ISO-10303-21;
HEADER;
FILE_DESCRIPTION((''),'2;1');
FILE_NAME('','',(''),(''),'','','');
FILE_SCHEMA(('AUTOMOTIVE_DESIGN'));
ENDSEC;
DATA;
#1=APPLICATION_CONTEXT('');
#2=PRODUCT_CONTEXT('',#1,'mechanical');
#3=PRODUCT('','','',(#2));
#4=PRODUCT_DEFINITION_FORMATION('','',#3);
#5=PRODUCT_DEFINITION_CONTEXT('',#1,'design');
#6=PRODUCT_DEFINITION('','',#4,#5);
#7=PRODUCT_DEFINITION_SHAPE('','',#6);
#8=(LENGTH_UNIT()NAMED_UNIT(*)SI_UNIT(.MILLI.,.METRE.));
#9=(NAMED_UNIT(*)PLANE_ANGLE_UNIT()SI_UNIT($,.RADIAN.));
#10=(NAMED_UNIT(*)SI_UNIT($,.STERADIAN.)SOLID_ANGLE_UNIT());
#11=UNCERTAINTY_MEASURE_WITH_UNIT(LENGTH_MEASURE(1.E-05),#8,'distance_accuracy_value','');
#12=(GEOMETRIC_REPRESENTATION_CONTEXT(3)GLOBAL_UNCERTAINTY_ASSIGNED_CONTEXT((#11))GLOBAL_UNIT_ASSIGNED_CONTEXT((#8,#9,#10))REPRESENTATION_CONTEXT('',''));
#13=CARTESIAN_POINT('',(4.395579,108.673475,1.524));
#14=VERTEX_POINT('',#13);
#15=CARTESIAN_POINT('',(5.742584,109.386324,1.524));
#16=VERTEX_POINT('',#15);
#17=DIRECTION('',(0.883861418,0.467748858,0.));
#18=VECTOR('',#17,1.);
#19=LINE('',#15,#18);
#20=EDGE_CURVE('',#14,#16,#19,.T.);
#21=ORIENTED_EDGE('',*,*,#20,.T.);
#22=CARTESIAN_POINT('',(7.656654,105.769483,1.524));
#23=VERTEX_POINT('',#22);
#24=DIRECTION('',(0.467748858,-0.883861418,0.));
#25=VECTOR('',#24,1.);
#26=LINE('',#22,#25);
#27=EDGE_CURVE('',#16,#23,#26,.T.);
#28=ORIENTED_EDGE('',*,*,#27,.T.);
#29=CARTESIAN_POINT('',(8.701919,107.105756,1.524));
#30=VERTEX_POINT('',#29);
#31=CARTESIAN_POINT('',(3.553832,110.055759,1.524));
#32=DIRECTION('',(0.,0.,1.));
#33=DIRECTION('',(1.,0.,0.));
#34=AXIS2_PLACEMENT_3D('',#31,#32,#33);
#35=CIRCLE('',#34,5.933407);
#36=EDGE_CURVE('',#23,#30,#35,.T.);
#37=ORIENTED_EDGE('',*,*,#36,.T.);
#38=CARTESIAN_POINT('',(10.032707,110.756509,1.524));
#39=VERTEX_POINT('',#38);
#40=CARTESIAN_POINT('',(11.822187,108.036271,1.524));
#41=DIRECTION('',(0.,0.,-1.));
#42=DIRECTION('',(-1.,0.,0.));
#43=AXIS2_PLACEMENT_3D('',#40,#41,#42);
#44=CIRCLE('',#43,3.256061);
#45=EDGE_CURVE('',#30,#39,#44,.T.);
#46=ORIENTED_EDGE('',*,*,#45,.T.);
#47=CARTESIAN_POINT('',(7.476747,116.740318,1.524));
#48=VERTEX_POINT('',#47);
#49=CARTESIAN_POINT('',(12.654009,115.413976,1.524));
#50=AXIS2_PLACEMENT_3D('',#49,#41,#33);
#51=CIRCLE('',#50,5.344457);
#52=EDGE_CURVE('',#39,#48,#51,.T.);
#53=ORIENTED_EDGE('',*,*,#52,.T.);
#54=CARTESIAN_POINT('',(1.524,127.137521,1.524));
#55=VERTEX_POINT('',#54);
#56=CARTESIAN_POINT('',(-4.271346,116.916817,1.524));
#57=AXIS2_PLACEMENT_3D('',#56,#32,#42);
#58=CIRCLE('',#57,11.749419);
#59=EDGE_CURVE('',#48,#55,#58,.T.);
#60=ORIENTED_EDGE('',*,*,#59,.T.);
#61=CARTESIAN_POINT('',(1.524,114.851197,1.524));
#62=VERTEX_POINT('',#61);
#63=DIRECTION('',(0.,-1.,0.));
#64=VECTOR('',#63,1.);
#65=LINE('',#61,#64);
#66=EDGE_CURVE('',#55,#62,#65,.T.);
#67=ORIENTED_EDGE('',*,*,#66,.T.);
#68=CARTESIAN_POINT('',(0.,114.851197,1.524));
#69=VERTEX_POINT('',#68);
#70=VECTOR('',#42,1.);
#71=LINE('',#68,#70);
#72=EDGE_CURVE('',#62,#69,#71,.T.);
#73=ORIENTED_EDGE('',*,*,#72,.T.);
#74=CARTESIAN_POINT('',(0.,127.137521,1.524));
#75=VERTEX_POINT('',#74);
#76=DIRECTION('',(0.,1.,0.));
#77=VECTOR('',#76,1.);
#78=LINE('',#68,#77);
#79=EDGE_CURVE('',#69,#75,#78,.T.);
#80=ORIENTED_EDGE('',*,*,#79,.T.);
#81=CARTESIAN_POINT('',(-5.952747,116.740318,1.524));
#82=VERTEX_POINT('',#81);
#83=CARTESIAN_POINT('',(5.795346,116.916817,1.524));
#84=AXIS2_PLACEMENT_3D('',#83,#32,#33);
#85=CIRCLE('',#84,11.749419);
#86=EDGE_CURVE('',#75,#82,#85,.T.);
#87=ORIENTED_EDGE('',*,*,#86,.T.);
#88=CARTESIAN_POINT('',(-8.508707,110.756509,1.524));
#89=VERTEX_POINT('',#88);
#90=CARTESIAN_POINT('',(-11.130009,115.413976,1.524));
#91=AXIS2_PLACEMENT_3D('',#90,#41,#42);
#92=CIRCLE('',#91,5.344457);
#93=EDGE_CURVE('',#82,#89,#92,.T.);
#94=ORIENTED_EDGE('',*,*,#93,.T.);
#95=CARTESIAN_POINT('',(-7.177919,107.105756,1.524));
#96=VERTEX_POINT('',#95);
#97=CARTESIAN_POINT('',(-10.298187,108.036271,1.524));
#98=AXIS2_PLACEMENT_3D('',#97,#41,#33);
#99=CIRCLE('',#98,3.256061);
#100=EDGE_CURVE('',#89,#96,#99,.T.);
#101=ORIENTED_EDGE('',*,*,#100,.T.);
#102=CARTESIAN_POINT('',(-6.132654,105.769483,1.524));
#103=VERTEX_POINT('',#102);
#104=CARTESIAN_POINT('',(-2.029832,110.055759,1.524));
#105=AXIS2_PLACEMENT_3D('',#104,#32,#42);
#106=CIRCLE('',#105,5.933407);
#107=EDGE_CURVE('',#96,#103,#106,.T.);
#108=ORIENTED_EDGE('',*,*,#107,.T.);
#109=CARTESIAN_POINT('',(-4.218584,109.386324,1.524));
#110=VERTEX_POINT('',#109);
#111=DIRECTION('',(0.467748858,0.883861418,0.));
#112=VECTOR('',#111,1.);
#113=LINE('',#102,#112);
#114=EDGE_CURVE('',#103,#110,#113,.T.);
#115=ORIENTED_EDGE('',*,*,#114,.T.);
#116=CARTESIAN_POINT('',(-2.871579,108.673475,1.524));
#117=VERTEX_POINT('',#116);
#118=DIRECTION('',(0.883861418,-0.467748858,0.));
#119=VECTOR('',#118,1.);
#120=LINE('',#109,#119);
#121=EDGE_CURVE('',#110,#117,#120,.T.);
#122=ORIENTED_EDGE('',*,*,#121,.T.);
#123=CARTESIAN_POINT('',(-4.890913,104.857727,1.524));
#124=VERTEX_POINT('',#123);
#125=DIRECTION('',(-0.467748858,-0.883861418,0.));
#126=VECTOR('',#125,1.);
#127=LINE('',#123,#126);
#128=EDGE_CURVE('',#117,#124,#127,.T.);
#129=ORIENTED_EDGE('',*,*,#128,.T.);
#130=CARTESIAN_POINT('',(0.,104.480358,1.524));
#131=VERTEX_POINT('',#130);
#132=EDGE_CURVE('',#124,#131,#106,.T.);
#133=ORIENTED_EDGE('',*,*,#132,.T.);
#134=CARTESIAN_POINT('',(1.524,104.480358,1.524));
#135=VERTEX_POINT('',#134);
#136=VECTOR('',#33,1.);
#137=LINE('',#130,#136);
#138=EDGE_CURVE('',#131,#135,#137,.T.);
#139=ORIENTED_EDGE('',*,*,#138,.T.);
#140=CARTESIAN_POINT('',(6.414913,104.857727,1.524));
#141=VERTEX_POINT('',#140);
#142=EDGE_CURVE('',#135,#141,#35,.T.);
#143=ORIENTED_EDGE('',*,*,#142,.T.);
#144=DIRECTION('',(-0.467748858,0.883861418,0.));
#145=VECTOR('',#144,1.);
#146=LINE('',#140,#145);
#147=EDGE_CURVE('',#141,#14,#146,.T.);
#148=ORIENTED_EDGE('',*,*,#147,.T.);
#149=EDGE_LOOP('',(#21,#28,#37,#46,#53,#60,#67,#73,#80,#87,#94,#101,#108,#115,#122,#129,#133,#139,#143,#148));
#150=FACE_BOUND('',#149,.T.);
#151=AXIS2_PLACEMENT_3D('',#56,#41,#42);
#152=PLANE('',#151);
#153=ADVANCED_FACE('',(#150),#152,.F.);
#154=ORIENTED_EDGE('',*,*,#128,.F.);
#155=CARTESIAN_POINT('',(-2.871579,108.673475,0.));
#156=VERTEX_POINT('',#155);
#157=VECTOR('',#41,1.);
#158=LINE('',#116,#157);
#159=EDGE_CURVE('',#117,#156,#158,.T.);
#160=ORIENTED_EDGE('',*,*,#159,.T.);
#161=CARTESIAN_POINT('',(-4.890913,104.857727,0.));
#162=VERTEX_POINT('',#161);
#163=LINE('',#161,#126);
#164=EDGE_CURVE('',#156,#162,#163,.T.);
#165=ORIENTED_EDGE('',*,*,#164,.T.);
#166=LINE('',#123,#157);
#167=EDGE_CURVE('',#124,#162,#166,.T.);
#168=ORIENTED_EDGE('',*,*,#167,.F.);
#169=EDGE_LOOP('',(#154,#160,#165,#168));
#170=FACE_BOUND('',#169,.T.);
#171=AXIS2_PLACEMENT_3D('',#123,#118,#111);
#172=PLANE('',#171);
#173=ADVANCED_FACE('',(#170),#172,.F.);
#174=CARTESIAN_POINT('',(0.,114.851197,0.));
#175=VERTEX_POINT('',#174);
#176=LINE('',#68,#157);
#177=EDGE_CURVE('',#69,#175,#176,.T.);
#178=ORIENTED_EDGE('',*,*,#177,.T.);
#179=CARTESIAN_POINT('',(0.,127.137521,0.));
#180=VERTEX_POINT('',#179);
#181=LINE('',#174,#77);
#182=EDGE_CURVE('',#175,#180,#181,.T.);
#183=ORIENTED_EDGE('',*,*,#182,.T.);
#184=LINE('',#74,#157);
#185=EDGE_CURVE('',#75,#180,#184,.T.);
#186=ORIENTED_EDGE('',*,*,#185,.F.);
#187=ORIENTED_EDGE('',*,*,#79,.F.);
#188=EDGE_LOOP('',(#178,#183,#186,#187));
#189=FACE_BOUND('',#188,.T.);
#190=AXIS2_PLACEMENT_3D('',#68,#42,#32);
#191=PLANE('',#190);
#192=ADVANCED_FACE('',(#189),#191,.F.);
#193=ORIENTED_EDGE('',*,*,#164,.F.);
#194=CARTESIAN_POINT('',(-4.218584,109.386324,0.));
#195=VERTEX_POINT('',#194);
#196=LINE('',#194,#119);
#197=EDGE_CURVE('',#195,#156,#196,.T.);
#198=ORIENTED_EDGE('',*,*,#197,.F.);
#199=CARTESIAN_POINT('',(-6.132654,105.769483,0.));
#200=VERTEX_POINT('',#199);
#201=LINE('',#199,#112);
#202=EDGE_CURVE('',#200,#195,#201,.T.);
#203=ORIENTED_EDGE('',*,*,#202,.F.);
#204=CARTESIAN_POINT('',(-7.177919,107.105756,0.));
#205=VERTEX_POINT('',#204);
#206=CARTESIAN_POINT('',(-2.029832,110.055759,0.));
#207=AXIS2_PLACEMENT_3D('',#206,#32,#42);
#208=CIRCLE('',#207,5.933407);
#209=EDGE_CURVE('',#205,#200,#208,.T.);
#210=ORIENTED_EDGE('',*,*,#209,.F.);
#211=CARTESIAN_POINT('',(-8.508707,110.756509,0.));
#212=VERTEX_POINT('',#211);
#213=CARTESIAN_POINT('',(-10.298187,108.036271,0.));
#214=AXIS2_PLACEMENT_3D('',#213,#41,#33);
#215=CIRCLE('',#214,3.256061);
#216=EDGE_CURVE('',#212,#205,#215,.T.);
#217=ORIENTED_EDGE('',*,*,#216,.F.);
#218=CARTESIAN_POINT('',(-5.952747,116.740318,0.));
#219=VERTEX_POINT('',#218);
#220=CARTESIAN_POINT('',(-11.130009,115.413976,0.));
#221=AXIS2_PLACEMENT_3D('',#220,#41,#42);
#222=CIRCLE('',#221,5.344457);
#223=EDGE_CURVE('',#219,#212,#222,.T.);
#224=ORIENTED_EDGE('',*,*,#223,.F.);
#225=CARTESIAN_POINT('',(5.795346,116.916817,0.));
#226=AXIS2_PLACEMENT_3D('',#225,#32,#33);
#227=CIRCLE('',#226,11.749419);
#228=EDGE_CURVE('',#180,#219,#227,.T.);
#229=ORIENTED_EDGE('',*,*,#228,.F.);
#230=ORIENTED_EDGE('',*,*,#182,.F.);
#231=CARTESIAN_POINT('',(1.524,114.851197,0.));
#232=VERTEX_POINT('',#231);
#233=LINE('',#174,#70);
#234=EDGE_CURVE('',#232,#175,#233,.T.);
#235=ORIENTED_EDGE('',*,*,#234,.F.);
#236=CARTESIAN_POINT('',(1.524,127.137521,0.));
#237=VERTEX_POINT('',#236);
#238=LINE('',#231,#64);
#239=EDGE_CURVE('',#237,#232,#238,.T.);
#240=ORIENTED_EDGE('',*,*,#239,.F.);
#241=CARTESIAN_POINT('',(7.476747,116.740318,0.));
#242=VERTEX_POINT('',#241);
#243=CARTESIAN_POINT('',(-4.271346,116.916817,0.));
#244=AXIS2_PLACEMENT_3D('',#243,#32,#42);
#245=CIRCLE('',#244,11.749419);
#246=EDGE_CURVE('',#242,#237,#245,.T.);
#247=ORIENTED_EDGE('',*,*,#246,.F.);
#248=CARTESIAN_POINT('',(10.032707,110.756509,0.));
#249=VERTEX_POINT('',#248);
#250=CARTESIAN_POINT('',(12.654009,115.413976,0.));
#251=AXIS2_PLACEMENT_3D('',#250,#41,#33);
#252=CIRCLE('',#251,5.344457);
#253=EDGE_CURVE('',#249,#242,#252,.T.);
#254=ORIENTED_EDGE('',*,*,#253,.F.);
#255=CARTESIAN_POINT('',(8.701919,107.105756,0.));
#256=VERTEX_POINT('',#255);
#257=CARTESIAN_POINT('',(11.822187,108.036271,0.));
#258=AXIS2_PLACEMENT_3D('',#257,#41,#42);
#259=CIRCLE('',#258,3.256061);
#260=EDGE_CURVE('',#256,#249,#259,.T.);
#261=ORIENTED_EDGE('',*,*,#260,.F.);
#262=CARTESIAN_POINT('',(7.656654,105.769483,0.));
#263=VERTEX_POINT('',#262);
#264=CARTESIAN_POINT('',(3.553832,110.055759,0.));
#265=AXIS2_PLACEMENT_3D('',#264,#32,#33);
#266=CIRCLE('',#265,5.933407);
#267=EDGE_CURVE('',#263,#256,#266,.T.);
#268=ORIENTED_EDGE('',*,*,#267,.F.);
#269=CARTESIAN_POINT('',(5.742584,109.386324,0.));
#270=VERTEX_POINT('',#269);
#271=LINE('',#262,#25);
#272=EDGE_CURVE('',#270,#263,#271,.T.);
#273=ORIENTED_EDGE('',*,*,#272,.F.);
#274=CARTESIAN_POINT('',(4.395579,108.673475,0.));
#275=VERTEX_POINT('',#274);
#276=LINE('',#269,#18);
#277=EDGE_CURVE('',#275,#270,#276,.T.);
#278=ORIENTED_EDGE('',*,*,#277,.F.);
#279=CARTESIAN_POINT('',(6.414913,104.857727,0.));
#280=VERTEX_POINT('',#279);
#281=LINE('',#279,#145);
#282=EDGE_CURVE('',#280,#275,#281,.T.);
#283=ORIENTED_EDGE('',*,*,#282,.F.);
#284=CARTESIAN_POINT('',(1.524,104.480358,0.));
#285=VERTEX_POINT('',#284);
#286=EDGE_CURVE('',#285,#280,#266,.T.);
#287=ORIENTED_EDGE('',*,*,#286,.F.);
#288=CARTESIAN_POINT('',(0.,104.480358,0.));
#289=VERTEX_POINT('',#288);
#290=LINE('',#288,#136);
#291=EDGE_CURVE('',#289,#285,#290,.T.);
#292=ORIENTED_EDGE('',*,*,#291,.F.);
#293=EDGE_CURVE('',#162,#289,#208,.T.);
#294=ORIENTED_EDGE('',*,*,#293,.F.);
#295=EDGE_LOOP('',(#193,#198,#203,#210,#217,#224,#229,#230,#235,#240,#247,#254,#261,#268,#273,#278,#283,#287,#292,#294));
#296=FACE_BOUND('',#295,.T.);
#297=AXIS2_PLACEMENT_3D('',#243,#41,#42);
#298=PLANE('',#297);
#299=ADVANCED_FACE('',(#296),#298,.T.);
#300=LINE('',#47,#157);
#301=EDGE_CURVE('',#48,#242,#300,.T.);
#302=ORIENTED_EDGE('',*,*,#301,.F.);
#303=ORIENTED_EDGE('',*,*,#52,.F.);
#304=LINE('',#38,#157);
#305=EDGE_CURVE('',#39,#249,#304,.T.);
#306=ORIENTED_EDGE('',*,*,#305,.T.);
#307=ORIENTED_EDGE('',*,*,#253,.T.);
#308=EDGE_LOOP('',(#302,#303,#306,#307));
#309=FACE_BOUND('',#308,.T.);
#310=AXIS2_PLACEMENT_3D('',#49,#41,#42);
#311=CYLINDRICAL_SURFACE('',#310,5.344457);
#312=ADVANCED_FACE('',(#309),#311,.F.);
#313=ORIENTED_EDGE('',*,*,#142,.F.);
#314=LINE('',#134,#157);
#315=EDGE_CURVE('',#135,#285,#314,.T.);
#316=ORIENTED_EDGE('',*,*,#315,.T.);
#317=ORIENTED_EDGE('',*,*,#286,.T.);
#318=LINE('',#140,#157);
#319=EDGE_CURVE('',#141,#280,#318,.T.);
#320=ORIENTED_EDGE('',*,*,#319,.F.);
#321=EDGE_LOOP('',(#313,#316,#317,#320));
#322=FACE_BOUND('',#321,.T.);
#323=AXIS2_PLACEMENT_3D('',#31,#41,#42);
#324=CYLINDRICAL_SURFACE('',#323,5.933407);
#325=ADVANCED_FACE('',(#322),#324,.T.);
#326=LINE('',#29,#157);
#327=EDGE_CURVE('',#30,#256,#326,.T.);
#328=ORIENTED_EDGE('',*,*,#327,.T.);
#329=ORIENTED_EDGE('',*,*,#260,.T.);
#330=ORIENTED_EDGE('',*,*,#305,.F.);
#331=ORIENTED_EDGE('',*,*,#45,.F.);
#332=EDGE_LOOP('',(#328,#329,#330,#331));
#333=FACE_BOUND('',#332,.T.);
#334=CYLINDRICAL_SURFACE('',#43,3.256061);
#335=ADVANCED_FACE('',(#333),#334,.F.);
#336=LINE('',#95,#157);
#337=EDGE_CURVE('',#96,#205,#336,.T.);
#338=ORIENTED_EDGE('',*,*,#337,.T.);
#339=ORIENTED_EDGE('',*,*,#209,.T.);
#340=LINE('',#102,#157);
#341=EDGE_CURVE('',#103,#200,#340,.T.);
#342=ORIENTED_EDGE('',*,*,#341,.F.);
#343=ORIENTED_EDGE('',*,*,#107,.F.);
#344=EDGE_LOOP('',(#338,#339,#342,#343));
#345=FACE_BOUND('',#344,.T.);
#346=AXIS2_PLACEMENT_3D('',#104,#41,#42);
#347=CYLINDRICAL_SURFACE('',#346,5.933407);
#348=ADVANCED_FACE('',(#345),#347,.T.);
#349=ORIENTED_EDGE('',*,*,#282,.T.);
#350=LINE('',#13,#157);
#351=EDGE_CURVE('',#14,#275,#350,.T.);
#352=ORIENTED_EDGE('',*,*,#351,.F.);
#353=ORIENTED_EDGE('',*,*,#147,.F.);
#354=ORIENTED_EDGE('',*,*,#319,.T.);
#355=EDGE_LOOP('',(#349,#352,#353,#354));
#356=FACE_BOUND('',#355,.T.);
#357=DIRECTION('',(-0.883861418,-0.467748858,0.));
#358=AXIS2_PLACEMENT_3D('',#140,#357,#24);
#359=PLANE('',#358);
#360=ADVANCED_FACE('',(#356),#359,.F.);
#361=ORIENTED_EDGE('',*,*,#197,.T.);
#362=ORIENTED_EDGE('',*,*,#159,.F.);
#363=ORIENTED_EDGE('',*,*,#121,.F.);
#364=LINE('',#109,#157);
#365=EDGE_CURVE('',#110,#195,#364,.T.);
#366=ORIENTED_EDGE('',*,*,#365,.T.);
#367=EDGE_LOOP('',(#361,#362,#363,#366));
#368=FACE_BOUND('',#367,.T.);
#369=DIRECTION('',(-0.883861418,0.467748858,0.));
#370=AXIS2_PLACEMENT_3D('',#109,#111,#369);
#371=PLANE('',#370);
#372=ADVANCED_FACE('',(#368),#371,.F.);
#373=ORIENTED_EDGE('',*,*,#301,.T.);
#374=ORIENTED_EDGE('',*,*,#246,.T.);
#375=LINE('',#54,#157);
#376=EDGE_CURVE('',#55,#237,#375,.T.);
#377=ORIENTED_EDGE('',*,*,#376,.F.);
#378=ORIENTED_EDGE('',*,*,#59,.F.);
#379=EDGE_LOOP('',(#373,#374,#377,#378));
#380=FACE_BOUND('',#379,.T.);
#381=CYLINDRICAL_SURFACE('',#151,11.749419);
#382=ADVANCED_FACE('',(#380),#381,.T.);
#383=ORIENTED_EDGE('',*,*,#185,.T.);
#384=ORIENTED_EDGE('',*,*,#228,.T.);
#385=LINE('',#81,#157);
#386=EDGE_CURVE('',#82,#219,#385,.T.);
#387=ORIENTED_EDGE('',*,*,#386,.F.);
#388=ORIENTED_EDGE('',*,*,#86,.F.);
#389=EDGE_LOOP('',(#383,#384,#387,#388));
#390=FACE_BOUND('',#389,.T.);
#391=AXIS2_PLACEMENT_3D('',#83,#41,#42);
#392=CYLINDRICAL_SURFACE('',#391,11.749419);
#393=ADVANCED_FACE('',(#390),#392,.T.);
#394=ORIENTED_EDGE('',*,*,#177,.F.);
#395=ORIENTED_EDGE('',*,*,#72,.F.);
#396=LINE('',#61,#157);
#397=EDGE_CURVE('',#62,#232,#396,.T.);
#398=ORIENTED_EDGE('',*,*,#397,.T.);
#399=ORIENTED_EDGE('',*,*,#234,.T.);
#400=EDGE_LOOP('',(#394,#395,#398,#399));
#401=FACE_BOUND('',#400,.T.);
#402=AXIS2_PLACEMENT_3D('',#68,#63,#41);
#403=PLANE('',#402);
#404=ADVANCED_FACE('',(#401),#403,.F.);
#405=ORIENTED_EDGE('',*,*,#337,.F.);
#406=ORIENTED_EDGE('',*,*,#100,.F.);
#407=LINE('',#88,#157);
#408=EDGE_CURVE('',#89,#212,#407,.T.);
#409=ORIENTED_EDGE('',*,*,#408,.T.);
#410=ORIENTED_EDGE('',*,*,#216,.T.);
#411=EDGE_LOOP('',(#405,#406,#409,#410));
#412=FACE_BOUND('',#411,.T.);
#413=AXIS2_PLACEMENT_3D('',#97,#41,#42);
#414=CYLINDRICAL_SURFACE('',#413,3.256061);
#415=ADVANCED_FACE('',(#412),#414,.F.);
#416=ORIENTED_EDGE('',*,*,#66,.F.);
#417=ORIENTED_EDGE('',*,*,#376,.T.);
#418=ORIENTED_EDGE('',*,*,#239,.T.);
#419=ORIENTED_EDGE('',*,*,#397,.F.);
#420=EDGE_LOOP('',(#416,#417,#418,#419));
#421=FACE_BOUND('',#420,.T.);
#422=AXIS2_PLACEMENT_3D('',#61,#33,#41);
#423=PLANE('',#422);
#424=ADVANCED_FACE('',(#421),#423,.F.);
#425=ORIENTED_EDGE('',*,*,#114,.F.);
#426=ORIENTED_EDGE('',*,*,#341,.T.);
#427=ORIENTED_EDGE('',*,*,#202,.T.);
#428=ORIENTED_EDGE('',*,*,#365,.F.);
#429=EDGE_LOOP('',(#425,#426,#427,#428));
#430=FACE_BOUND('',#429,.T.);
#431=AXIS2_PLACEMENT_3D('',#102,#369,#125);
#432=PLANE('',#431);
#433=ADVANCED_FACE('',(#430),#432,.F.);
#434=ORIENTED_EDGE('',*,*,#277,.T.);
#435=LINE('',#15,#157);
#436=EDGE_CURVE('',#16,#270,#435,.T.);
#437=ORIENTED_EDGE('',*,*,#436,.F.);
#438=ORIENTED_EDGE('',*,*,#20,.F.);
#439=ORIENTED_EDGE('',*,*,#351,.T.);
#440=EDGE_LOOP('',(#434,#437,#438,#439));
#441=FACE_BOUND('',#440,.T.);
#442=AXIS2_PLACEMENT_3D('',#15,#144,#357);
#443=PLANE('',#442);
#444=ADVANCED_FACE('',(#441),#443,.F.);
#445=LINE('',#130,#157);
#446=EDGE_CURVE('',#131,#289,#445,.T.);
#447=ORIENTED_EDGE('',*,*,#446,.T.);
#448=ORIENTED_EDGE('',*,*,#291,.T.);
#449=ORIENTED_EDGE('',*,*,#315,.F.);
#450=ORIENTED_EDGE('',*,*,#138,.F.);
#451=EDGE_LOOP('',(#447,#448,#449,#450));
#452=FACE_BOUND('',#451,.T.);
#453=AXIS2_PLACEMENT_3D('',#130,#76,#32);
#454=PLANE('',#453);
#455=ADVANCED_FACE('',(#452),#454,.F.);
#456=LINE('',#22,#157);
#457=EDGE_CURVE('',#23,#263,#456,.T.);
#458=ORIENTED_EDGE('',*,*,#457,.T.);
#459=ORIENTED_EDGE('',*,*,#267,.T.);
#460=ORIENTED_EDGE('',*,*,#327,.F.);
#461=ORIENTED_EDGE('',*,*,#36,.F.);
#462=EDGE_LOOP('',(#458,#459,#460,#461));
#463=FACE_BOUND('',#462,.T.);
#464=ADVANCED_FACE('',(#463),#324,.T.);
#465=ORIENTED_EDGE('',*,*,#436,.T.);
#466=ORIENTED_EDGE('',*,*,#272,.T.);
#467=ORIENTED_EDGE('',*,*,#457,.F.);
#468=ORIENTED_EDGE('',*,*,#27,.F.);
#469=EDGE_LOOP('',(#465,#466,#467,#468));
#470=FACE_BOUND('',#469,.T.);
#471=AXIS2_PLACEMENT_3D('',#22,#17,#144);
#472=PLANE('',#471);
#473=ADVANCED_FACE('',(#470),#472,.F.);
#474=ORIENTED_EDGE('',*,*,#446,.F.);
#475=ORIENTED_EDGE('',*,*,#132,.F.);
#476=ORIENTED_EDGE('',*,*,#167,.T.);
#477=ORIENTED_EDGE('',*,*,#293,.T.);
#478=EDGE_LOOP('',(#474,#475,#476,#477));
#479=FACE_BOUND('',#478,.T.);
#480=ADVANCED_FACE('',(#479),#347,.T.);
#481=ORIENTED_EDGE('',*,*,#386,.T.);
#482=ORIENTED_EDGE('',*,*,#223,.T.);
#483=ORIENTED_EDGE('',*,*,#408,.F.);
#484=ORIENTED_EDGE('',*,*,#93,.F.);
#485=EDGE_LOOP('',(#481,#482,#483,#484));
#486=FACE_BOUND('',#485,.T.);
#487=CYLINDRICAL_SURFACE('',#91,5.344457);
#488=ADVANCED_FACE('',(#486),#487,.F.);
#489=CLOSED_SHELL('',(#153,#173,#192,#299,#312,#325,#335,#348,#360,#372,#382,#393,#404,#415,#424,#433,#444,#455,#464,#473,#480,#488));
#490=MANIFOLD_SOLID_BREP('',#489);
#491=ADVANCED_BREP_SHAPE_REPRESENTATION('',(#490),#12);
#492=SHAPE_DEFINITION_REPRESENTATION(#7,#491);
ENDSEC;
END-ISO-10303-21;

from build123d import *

# Parameters (mm, degrees)
BOSS_EXTRUDE1_DEPTH = 1.524


with BuildPart() as part:
    # Sketch1 → Boss-Extrude1 (new body)
    with BuildSketch(Plane.XY):
        with BuildLine():
            Line((0, 114.851197301), (1.524, 114.851197301))
            Line((1.524, 114.851197301), (1.524, 127.137521288))
            ThreePointArc((1.524, 127.137521288), (5.925149422, 122.754651777), (7.476746905, 116.740318344))
            ThreePointArc((7.476746905, 116.740318344), (7.739144324, 113.314611295), (10.032707403, 110.756508563))
            ThreePointArc((10.032707403, 110.756508563), (8.763036176, 109.151405897), (8.701919017, 107.105755809))
            ThreePointArc((8.701919017, 107.105755809), (8.227293035, 106.400067512), (7.656654449, 105.769482545))
            Line((7.656654449, 105.769482545), (5.742583542, 109.386323923))
            Line((5.742583542, 109.386323923), (4.395578742, 108.673474663))
            Line((4.395578742, 108.673474663), (6.414912826, 104.857727272))
            ThreePointArc((6.414912826, 104.857727272), (4.010280896, 104.139935188), (1.524, 104.480357725))
            Line((1.524, 104.480357725), (0, 104.480357725))
            ThreePointArc((0, 104.480357725), (-2.486280896, 104.139935188), (-4.890912826, 104.857727272))
            Line((-4.890912826, 104.857727272), (-2.871578742, 108.673474663))
            Line((-2.871578742, 108.673474663), (-4.218583542, 109.386323923))
            Line((-4.218583542, 109.386323923), (-6.132654449, 105.769482545))
            ThreePointArc((-6.132654449, 105.769482545), (-6.703293035, 106.400067512), (-7.177919017, 107.105755809))
            ThreePointArc((-7.177919017, 107.105755809), (-7.239036176, 109.151405897), (-8.508707403, 110.756508563))
            ThreePointArc((-8.508707403, 110.756508563), (-6.215144324, 113.314611295), (-5.952746905, 116.740318344))
            ThreePointArc((-5.952746905, 116.740318344), (-4.401149422, 122.754651777), (0, 127.137521288))
            Line((0, 127.137521288), (0, 114.851197301))
        make_face()
    extrude(amount=BOSS_EXTRUDE1_DEPTH)


solid = part.part
